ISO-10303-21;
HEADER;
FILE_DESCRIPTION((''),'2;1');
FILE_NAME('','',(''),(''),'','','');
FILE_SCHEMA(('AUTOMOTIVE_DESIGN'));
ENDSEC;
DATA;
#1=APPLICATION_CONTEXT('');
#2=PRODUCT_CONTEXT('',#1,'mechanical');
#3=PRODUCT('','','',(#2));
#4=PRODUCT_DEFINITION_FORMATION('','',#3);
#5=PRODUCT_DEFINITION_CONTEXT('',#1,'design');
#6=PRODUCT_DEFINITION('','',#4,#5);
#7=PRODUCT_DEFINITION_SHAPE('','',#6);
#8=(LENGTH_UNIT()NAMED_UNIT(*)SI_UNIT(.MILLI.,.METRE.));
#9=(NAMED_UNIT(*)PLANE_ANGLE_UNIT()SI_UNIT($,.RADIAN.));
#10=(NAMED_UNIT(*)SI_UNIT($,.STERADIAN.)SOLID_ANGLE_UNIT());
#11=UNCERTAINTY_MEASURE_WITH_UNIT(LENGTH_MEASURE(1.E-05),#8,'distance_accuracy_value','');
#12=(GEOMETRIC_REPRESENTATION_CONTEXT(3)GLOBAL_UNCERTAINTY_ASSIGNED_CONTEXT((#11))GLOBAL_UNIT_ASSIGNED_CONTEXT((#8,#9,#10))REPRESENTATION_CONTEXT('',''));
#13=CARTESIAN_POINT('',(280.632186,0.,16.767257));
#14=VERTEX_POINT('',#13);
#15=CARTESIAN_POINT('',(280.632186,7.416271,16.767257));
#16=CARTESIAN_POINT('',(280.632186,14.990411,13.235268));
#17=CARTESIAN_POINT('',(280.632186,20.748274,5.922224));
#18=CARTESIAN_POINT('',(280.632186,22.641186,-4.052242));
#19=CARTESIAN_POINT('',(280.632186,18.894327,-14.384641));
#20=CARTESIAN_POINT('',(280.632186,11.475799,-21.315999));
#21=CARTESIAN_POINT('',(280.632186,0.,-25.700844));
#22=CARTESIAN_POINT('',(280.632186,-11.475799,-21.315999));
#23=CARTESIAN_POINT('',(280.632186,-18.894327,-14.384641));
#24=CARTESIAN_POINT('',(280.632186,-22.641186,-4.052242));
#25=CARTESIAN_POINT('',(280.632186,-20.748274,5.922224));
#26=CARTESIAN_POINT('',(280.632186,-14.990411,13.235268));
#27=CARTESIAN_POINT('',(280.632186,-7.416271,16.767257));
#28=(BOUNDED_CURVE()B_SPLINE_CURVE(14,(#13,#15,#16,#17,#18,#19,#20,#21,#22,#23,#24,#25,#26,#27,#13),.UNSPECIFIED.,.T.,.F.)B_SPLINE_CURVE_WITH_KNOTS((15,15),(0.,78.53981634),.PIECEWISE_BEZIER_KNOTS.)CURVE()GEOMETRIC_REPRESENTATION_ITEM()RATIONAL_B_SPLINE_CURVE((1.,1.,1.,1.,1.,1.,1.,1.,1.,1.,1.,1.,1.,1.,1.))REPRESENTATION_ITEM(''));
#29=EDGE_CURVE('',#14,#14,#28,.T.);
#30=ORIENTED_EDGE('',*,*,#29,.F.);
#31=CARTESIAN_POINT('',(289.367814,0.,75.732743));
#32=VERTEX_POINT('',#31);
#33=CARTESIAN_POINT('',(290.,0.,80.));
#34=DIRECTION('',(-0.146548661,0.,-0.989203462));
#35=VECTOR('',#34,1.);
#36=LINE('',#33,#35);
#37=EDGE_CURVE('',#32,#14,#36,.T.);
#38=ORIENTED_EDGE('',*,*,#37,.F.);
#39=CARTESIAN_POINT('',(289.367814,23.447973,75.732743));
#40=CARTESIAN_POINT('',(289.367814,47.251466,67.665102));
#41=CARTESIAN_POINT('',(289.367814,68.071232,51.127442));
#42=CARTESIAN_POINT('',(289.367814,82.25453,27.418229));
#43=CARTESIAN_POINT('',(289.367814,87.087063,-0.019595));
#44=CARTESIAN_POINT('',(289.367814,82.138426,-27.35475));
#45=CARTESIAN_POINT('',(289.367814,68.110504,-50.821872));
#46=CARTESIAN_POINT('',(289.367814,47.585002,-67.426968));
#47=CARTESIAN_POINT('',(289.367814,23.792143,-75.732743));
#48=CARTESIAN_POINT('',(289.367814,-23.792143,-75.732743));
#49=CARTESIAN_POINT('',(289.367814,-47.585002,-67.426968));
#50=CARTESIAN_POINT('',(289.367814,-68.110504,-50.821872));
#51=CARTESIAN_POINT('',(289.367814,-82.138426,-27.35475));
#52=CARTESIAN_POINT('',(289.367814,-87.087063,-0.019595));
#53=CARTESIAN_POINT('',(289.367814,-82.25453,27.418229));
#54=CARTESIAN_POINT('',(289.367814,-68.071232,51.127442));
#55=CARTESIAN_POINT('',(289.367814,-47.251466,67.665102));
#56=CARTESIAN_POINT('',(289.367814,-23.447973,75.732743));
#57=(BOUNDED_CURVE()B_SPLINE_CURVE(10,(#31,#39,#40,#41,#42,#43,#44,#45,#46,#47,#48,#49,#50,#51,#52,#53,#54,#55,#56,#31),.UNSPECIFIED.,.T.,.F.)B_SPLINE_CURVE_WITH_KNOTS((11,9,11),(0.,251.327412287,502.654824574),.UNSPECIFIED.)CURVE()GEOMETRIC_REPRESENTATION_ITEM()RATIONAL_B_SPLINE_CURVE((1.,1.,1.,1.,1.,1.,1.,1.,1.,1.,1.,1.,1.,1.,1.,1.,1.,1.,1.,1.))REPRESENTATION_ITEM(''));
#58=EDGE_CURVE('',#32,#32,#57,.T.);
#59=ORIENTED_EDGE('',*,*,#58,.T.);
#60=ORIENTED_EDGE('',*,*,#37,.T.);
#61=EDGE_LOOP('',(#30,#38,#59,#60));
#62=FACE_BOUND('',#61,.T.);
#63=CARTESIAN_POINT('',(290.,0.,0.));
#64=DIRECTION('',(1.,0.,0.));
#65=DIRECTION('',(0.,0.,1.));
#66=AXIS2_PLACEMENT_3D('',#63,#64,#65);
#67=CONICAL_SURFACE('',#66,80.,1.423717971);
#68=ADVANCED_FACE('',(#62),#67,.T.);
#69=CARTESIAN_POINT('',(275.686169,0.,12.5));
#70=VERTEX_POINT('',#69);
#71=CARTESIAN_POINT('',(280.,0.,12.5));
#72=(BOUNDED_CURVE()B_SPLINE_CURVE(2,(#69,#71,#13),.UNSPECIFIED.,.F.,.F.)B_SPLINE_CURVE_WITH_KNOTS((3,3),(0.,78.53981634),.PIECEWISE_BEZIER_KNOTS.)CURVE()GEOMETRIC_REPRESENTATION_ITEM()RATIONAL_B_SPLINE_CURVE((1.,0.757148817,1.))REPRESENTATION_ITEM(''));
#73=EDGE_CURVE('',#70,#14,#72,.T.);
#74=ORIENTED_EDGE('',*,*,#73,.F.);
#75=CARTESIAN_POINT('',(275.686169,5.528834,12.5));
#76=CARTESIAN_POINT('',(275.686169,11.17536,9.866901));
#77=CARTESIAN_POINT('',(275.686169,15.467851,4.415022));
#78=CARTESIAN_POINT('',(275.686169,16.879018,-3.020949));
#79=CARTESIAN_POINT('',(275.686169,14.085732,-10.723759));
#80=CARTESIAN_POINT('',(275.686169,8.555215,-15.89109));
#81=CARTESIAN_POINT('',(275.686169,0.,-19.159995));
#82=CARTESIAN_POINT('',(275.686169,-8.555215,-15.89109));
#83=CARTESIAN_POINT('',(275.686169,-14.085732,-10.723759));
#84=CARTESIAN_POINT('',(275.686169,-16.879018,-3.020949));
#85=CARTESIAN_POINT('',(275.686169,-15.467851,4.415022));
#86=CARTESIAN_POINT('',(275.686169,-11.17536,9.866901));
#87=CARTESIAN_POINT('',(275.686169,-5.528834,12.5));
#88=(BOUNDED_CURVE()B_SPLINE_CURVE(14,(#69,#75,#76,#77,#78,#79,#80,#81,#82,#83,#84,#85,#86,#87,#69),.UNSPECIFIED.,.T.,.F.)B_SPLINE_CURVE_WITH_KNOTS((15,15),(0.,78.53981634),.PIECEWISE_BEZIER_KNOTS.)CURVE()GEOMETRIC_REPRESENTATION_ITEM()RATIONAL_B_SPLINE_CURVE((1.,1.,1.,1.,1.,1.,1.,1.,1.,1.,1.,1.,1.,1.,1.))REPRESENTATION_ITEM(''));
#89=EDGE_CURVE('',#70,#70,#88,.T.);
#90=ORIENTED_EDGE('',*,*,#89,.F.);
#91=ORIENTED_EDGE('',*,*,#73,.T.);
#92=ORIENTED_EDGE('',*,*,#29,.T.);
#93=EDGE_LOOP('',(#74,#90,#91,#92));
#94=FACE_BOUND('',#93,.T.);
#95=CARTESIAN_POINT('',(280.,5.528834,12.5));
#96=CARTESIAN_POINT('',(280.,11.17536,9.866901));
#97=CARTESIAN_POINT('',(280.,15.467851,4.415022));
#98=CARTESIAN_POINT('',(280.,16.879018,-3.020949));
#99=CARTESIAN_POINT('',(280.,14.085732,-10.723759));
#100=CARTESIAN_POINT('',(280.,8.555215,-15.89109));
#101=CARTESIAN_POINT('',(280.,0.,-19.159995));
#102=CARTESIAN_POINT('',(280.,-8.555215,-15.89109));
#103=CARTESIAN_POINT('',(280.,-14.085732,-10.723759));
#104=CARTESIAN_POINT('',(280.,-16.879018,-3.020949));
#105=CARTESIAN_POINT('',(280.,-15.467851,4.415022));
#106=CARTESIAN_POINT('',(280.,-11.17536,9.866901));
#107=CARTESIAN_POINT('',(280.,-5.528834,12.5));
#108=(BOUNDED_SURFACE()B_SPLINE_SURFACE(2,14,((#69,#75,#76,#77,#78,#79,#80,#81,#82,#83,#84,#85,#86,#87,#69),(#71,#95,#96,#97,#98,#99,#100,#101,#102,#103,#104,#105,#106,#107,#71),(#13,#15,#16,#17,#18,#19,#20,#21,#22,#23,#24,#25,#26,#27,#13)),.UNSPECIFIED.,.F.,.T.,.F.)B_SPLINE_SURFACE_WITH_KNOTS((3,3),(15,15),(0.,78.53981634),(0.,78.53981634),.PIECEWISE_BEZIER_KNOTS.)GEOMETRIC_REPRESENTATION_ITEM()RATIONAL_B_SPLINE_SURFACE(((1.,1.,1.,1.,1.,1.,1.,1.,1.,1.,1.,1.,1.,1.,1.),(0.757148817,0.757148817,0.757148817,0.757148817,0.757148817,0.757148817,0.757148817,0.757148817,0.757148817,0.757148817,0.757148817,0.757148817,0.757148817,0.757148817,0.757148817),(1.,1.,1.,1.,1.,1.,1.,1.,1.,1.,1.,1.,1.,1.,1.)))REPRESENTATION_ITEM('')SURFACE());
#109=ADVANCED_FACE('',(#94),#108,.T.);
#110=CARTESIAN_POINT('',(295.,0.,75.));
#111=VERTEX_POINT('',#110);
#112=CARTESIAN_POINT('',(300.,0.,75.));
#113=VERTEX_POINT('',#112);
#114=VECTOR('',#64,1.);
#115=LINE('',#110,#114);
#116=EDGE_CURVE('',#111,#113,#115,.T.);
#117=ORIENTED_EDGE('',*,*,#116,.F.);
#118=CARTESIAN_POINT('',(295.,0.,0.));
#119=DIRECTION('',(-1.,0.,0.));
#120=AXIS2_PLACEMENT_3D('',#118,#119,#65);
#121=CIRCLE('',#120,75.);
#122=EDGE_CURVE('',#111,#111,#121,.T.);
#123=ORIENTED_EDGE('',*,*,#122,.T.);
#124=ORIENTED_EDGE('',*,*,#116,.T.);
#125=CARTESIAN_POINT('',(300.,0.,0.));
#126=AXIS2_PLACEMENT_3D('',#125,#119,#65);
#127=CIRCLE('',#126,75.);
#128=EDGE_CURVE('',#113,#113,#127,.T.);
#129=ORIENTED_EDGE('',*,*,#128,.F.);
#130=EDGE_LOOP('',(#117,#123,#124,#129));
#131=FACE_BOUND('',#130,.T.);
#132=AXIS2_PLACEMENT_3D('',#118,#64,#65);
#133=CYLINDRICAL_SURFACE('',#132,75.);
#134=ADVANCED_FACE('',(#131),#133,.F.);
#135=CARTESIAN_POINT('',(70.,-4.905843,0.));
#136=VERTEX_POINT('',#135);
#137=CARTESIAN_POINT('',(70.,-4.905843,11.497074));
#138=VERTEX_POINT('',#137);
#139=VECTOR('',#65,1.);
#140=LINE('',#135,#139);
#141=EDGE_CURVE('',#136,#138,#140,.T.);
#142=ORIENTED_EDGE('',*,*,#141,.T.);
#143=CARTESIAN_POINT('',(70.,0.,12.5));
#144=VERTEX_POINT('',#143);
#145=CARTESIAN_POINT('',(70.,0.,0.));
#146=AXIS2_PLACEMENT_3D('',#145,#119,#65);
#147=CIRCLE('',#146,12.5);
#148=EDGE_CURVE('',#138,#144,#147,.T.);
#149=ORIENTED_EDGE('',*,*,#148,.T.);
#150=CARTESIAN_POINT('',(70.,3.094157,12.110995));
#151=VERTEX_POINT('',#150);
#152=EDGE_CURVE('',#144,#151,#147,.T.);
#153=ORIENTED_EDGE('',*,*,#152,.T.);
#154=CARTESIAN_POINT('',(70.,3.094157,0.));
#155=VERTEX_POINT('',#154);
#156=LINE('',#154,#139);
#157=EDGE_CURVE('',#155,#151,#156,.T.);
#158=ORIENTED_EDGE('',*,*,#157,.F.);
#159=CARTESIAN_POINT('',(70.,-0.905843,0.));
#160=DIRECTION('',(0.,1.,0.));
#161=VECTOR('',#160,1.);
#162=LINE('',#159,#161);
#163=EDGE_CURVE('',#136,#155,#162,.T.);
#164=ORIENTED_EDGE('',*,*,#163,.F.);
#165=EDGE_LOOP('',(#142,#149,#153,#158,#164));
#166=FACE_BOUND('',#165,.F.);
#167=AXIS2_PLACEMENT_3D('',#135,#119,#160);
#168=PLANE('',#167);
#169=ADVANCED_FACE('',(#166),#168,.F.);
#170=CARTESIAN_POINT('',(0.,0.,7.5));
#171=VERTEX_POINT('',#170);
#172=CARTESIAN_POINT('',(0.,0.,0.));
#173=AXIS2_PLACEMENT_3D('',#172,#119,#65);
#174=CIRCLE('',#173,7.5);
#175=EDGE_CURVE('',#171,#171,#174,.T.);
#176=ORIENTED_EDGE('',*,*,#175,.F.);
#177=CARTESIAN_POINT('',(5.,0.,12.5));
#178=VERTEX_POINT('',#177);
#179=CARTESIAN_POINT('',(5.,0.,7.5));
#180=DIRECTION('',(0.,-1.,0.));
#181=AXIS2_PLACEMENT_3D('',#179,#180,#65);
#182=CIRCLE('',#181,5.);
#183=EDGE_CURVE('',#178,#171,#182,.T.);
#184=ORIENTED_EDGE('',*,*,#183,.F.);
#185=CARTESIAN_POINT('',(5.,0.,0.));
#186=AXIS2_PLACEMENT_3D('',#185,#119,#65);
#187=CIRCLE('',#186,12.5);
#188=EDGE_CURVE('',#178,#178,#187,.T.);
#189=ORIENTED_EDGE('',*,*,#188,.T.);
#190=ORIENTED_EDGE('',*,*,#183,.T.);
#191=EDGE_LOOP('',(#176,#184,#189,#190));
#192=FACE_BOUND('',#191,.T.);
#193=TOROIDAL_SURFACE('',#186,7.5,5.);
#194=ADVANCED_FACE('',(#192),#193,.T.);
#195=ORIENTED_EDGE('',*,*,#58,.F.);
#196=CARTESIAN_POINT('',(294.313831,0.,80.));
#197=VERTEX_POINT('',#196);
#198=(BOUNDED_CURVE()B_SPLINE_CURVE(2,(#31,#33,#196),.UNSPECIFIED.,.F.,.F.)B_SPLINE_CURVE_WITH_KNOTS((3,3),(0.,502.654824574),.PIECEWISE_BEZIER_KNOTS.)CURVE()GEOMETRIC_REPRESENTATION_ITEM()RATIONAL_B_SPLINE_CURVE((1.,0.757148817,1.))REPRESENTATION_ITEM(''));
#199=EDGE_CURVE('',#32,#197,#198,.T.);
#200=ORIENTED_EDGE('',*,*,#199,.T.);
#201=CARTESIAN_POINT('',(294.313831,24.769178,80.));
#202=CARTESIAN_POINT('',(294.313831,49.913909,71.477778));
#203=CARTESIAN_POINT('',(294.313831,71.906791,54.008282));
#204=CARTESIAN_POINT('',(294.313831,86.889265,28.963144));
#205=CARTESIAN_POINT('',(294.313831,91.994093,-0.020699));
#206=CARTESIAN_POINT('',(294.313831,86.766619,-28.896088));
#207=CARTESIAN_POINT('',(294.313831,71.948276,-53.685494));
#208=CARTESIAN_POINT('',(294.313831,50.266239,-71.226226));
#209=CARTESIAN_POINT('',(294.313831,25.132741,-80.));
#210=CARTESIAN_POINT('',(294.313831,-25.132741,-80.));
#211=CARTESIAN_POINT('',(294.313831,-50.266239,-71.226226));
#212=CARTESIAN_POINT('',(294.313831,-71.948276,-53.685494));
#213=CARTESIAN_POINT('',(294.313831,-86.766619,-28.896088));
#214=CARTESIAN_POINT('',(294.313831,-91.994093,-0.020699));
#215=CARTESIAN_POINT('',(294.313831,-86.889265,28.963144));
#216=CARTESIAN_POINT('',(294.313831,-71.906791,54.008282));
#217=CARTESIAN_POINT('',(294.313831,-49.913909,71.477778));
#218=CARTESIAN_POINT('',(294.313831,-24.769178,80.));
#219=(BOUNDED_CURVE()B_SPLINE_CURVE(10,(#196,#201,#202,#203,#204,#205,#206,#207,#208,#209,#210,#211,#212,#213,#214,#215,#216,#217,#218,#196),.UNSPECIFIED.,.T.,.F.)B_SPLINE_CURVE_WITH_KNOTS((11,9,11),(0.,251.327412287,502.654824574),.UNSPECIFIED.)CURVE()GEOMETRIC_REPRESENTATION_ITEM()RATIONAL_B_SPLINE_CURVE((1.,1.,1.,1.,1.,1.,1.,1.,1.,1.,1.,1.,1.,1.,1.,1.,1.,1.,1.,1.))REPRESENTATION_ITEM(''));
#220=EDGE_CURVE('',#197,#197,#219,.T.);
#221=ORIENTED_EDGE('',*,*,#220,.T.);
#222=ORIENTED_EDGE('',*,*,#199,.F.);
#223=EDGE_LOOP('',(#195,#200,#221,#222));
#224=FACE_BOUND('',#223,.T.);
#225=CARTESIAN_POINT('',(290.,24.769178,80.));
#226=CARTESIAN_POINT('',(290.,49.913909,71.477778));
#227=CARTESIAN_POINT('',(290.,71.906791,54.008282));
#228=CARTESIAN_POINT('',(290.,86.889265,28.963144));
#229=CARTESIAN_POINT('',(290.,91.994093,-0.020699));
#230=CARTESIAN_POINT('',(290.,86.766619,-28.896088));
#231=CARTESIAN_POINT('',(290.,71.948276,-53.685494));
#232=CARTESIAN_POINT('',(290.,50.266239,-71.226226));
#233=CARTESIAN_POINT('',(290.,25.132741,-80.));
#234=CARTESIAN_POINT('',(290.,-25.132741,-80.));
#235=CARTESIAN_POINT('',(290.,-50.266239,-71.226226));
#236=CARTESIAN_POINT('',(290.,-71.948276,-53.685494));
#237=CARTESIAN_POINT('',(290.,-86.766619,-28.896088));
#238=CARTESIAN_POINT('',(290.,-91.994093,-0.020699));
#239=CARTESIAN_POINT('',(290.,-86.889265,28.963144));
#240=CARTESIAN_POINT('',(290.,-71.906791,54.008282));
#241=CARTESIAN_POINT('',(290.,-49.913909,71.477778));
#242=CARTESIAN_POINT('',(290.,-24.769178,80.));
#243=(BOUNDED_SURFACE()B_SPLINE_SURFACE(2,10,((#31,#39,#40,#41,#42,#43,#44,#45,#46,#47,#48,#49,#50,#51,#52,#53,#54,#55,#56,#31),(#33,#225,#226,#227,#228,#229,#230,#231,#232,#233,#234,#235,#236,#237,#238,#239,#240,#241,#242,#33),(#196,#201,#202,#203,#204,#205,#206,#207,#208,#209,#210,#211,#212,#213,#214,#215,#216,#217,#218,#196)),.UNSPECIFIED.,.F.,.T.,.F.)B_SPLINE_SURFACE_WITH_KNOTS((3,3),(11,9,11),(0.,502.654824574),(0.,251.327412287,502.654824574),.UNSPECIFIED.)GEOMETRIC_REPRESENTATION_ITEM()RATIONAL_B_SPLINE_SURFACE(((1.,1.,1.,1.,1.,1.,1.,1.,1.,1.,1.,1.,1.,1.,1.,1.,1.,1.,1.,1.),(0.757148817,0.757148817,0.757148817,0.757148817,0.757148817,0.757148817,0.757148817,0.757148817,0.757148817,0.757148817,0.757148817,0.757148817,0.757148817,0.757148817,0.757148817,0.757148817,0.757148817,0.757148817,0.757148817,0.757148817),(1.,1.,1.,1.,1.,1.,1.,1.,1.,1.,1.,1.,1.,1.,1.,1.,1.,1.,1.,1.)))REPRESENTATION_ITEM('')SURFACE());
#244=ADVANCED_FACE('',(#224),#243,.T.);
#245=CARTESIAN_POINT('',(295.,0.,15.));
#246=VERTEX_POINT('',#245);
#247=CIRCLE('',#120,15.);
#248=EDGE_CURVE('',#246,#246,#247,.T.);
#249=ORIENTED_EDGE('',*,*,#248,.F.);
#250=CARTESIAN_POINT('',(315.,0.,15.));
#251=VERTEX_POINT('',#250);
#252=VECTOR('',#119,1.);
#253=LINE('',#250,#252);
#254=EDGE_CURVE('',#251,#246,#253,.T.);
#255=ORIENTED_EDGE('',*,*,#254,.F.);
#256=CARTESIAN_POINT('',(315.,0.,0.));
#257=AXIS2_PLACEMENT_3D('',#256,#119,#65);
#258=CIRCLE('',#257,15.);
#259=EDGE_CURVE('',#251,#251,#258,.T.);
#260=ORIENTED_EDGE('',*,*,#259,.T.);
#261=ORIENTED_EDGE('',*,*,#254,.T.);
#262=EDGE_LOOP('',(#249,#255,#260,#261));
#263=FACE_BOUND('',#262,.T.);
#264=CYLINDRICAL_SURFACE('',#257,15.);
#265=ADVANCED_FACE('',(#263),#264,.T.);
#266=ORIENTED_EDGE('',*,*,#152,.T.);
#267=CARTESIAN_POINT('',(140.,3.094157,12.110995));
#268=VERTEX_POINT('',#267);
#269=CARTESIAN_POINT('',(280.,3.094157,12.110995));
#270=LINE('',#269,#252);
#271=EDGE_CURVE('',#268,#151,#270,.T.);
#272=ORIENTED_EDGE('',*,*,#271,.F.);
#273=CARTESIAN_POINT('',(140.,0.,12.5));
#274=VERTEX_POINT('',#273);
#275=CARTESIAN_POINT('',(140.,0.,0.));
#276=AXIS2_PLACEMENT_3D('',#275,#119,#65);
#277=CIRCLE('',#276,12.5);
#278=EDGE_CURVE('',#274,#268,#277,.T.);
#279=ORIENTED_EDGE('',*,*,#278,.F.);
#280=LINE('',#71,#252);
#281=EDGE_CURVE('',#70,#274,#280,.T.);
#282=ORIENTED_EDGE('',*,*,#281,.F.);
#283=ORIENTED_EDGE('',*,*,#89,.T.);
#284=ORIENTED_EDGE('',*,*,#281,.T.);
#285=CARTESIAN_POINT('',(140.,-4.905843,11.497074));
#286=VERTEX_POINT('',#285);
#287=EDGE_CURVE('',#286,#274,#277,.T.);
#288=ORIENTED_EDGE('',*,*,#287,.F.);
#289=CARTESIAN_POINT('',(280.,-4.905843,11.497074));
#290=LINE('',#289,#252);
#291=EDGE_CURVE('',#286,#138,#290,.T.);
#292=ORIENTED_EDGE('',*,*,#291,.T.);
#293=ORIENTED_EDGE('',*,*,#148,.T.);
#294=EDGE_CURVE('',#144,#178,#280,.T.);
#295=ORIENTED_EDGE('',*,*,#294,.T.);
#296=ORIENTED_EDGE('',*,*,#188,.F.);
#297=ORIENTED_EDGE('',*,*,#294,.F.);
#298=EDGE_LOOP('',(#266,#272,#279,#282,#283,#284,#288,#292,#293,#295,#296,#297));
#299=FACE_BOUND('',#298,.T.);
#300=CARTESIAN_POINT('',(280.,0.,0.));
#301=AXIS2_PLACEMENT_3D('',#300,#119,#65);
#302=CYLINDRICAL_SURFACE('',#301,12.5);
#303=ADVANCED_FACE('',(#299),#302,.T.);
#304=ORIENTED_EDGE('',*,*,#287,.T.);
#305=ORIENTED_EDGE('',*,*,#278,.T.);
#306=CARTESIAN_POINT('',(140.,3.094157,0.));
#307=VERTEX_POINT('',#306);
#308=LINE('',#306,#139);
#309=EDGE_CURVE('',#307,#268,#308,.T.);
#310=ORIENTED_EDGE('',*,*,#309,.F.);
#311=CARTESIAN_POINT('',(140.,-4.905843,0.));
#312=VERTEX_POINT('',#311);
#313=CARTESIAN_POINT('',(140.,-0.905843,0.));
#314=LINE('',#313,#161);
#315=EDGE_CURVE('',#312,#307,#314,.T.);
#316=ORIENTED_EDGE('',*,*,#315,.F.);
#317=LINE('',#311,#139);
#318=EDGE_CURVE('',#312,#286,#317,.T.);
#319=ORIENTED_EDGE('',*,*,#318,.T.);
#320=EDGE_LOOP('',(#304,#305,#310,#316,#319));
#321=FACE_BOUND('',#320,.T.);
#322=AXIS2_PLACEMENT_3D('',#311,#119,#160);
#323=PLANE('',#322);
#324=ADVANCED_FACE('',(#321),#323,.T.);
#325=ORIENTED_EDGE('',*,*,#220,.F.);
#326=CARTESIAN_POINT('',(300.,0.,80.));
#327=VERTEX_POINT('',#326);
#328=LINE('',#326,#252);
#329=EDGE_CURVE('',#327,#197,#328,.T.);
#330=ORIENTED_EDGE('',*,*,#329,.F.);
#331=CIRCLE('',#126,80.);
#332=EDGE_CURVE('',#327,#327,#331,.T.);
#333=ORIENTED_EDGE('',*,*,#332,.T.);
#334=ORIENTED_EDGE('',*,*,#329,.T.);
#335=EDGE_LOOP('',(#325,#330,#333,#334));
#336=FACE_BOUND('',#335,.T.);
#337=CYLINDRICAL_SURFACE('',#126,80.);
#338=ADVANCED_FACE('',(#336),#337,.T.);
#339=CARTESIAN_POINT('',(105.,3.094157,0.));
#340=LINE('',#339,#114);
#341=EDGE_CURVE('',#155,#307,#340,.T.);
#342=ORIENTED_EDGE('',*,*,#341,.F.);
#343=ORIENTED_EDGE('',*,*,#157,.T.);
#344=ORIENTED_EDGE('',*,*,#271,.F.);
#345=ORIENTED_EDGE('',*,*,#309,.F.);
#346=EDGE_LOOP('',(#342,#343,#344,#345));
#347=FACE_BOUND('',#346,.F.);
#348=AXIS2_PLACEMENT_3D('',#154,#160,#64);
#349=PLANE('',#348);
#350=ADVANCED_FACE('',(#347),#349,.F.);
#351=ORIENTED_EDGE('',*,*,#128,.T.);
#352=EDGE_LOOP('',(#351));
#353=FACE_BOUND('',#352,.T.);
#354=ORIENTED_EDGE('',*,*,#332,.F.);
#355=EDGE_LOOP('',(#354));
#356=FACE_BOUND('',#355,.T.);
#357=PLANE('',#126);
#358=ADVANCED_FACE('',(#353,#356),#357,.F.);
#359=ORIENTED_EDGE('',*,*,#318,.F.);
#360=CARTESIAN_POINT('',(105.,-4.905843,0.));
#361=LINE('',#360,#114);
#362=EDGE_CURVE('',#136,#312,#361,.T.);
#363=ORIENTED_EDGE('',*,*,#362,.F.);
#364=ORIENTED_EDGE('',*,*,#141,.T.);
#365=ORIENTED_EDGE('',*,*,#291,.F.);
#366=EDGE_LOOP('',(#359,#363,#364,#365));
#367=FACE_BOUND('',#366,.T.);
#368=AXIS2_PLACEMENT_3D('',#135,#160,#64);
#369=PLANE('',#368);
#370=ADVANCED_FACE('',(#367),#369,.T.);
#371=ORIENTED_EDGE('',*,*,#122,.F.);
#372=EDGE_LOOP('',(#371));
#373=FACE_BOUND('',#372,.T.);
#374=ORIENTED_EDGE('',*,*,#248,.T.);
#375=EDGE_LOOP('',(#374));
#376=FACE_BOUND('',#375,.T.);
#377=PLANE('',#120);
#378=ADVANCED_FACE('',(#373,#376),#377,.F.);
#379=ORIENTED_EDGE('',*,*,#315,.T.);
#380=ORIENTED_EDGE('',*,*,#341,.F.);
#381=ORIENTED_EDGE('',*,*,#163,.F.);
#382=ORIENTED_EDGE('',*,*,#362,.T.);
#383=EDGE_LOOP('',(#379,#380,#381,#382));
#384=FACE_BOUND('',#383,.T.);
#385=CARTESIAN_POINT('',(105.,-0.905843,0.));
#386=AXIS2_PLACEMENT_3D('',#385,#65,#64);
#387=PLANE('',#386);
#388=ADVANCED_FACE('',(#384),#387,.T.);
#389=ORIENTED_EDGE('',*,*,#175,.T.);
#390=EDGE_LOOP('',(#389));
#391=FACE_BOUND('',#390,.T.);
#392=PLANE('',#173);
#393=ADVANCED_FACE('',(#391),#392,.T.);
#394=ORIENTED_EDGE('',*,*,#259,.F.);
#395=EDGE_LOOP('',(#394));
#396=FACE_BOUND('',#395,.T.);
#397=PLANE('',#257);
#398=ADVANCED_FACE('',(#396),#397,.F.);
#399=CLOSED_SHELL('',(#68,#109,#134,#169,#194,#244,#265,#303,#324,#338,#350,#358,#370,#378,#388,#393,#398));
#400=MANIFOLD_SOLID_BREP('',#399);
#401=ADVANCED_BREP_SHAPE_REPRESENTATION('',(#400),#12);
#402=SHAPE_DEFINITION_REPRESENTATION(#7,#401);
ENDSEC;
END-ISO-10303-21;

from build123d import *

# Parameters (mm, degrees)
F2_W     = 70
F2_H     = 8
F3_DEPTH = 12.501
F4_R     = 5
F5_R     = 5


with BuildPart() as f1:
    # F0 (on Front) → F1 (revolve)
    with BuildSketch(Plane.XZ):
        Polygon((0, 12.5), (0, 0), (295, 0), (315, 0), (315, 15), (295, 15), (295, 75), (300, 75), (300, 80), (290, 80), (280, 12.5), align=None)
    revolve(axis=Axis((147.5, 0, 0), (-1, 0, 0)))

    # F2 (on Top) → F3 (cut, through all)
    with BuildSketch(Plane.XY):
        with Locations((105, -0.9058431759)):
            Rectangle(F2_W, F2_H)
    extrude(amount=F3_DEPTH, mode=Mode.SUBTRACT)

    # F4
    f4_edges = [f1.edges().sort_by_distance(p)[0] for p in [
        (290, 0, -80),
        (280, 0, -12.5),
    ]]
    fillet(f4_edges, radius=F4_R)

    # F5
    f5_edges = [f1.edges().sort_by_distance(p)[0] for p in [
        (0, 0, -12.5),
    ]]
    fillet(f5_edges, radius=F5_R)


solid = f1.part
